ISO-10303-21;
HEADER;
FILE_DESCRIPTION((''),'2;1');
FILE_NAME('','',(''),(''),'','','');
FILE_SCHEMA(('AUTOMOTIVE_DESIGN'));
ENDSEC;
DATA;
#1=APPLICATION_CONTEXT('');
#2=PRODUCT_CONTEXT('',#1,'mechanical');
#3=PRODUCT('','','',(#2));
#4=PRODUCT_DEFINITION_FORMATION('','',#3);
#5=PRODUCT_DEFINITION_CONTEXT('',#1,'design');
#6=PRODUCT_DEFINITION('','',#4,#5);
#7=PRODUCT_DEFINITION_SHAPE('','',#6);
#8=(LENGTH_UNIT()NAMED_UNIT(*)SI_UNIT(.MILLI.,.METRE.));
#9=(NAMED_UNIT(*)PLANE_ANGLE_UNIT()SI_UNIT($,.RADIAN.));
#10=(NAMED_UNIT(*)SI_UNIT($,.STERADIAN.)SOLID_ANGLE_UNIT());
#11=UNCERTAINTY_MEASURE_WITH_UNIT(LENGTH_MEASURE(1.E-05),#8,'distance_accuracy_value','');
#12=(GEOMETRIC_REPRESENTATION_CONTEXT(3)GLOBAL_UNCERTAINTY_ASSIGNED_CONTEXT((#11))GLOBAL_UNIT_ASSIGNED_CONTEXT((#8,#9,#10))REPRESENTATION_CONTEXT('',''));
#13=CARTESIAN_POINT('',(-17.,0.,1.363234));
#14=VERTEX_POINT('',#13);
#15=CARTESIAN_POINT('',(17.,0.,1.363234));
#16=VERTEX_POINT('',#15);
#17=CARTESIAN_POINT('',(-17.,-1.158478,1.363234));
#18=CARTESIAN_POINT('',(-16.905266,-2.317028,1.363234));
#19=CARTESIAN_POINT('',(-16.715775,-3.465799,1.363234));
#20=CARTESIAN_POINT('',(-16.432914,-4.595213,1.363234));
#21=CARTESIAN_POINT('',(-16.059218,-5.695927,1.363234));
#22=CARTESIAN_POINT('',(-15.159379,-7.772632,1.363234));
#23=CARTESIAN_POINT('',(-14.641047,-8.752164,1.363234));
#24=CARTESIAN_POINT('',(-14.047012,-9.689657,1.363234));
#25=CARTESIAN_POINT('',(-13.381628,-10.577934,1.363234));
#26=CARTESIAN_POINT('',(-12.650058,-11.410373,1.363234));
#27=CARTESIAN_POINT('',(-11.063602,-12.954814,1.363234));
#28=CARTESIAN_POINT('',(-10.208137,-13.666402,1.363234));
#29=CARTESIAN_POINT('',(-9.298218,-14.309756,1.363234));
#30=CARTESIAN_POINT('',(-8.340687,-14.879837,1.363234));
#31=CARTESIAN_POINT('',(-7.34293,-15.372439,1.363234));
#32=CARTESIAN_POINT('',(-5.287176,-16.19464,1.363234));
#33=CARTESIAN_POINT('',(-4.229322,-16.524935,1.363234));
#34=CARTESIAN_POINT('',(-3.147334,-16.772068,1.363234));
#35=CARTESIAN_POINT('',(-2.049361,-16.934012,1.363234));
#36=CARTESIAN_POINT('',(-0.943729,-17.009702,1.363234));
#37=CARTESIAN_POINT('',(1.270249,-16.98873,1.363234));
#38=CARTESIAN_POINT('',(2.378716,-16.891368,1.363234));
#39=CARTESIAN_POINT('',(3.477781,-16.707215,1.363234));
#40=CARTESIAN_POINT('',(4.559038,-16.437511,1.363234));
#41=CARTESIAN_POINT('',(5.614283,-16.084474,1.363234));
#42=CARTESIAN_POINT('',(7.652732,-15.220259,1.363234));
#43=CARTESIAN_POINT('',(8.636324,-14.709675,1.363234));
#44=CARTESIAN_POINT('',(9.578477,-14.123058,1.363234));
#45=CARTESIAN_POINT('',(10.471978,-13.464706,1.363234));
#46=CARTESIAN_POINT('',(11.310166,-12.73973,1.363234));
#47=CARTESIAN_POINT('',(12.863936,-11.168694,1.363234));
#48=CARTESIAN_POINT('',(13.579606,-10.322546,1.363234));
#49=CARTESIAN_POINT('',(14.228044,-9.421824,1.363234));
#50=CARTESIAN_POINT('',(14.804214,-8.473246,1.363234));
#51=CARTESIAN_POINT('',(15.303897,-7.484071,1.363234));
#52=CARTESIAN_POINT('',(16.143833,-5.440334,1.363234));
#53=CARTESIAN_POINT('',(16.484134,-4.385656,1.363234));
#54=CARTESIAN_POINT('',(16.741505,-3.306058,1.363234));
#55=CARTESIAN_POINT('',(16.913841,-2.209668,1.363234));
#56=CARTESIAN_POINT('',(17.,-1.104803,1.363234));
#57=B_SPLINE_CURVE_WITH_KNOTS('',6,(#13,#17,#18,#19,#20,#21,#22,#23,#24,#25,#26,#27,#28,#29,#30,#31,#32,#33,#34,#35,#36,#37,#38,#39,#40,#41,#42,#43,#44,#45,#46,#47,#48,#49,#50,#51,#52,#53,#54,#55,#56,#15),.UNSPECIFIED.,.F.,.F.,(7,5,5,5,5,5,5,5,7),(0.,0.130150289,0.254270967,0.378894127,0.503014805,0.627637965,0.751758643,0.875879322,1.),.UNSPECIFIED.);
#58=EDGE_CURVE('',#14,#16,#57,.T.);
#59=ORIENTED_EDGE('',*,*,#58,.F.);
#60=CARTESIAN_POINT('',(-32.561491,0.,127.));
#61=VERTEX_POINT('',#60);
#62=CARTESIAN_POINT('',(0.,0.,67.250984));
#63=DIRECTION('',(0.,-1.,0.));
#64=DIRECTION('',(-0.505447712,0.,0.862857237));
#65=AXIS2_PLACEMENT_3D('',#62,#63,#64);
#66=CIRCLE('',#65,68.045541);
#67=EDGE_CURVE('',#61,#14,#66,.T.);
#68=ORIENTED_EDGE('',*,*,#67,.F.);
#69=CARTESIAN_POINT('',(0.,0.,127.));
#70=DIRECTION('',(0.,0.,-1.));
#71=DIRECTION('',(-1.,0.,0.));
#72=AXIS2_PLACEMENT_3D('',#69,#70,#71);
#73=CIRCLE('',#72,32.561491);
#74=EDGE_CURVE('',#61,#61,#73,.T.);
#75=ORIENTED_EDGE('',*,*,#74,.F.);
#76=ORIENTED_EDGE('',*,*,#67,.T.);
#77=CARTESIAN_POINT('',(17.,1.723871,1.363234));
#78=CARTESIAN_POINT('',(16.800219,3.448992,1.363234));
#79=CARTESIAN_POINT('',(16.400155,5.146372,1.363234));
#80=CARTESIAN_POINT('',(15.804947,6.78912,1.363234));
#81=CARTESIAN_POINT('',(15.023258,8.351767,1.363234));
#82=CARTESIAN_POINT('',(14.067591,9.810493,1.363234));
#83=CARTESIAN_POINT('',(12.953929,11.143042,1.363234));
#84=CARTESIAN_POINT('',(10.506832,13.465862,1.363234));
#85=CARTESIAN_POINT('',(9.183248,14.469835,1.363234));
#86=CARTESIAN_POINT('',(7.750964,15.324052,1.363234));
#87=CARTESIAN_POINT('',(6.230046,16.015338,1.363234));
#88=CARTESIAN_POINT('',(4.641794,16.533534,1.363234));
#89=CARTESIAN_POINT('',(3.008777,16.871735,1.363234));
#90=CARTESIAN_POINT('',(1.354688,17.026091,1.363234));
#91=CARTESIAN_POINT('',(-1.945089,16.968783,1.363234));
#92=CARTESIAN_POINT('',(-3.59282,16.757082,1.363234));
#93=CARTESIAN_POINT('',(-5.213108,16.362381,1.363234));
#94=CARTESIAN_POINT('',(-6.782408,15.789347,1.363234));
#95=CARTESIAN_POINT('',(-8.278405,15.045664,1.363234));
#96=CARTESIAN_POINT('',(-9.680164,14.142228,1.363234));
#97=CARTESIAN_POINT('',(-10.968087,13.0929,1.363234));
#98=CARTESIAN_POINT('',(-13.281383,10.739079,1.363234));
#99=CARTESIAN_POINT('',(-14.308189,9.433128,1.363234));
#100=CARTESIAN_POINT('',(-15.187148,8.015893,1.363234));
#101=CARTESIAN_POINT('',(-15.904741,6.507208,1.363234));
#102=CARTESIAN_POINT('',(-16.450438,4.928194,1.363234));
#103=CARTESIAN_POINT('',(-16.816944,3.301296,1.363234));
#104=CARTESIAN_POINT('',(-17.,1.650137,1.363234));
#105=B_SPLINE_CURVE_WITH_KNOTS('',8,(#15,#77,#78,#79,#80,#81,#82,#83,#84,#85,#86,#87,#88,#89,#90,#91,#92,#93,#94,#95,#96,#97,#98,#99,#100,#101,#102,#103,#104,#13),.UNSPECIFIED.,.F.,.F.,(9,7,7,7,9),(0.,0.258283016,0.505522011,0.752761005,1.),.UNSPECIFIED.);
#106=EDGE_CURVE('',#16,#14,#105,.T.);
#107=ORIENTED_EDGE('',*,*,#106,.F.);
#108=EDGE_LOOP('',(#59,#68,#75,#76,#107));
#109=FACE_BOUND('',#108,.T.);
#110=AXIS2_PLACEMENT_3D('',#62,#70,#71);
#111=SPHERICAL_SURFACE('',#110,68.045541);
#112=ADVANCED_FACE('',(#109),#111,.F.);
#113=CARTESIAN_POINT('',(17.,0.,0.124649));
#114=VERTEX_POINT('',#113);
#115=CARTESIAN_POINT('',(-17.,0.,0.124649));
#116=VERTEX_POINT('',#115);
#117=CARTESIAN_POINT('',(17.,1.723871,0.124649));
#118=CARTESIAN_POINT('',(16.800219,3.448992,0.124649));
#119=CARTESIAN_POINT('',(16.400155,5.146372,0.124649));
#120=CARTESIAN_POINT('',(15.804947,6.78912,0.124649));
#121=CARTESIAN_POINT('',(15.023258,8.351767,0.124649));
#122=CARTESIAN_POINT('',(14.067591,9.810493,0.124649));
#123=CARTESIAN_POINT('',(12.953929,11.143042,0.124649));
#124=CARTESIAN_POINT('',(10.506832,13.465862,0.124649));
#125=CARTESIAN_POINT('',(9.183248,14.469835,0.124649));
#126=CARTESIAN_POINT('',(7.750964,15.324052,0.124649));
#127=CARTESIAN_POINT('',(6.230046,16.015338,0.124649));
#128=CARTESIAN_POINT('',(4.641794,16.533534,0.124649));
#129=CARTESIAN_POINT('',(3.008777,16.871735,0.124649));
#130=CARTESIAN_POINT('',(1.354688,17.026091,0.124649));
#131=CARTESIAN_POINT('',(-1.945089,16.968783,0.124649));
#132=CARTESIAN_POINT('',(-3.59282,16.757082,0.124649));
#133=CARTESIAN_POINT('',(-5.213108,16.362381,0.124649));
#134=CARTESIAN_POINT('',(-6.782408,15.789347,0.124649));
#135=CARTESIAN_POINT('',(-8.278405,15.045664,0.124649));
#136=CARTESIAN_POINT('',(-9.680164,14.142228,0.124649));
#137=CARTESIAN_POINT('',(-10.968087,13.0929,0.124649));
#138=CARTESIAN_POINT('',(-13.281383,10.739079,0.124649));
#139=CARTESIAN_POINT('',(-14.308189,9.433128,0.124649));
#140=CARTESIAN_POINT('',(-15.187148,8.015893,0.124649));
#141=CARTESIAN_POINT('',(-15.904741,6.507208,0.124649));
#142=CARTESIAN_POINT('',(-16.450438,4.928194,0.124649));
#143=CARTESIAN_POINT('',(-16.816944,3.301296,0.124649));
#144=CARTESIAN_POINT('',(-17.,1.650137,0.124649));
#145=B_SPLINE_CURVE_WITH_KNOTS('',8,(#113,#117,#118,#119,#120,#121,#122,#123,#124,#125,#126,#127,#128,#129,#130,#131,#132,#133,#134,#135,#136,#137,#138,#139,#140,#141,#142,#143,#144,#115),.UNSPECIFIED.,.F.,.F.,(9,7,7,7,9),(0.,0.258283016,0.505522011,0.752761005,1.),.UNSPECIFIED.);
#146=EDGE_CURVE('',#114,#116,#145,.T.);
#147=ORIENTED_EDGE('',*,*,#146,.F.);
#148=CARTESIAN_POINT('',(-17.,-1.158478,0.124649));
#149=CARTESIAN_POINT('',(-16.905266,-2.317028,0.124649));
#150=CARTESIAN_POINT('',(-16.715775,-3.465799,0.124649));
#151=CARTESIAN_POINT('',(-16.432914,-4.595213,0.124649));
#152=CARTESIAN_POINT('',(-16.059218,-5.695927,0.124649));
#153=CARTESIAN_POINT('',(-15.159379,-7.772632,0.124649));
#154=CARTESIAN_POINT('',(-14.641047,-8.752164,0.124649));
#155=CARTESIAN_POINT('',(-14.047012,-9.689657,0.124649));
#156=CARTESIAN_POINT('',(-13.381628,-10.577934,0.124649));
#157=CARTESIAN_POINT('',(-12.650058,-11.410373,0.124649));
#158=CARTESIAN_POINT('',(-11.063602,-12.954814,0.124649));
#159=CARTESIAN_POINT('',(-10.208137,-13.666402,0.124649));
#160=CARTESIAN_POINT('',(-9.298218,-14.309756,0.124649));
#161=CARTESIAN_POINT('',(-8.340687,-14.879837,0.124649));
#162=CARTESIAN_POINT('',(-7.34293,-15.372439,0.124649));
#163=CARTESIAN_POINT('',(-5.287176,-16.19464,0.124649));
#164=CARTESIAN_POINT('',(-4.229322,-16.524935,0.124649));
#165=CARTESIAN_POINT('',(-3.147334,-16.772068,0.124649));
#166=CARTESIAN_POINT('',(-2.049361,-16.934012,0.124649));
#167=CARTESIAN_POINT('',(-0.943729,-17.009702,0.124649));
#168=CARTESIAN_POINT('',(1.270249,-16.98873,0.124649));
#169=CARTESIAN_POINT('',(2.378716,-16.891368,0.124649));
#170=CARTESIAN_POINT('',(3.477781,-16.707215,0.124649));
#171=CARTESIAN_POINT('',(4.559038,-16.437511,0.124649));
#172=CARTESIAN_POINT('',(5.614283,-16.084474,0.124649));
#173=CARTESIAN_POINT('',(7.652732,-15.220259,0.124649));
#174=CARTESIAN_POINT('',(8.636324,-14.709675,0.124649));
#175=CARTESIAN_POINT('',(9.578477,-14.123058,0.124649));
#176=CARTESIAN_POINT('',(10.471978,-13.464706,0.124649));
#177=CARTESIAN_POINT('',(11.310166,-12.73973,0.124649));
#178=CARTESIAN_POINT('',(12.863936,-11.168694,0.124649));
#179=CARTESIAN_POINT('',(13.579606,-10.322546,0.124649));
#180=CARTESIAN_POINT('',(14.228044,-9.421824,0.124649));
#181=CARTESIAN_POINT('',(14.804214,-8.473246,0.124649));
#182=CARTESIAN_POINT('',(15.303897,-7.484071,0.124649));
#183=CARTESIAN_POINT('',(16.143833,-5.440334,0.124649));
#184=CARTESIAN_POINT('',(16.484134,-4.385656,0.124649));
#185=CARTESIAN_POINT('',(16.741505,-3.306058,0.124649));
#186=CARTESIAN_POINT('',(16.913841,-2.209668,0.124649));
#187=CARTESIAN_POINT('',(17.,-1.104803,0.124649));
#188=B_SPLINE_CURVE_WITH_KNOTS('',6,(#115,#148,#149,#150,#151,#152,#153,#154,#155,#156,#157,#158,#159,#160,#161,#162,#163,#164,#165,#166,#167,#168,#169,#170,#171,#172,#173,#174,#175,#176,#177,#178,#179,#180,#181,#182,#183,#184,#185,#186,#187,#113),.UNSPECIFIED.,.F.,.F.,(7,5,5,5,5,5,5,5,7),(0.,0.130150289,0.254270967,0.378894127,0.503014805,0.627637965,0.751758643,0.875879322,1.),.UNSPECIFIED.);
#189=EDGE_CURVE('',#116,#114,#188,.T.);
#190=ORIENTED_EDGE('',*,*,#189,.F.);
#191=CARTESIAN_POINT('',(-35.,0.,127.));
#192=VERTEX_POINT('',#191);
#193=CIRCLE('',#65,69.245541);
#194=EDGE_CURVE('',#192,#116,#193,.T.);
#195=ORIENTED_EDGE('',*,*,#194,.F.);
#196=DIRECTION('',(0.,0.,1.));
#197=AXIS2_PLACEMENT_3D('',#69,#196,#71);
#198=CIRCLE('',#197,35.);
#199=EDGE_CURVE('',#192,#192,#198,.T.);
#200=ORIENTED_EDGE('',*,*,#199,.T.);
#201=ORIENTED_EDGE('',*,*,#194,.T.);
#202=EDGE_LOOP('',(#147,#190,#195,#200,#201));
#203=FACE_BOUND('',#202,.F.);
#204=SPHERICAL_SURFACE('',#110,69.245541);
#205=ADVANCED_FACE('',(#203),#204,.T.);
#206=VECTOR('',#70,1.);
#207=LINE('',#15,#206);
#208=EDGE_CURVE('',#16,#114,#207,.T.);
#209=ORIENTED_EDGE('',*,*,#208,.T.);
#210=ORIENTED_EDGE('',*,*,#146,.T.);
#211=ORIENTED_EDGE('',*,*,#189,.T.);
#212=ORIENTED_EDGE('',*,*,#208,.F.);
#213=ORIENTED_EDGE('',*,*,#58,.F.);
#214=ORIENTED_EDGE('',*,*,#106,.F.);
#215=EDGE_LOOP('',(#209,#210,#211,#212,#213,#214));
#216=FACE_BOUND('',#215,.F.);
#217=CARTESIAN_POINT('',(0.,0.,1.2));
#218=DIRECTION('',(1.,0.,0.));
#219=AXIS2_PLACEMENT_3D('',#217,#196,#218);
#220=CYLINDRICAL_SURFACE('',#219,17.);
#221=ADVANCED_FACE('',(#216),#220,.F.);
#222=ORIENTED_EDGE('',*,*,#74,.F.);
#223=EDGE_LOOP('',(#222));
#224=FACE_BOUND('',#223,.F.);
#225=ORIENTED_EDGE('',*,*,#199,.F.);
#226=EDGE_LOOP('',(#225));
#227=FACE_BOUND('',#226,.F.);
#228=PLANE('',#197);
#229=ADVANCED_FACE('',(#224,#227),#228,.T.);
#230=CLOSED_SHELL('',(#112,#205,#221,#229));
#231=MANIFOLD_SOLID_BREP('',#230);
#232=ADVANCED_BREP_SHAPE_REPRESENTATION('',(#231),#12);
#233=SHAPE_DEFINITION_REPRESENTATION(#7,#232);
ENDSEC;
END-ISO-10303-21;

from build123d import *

# Parameters (mm, degrees)
F2_T          = -1.2
F3_R          = 17
F4_DEPTH      = 25
F4_DEPTH_BACK = 25


with BuildPart() as f1:
    # F0 (on Front) → F1 (revolve)
    with BuildSketch(Plane.XZ):
        with BuildLine():
            Line((-16.5, 0), (0, 0))
            Line((0, 0), (0, 127))
            Line((0, 127), (-35, 127))
            ThreePointArc((-35, 127), (-68.5223503683, 57.269382033), (-16.5, 0))
        make_face()
    revolve(axis=Axis((0, 0, 63.5), (0, 0, 1)))

    # F2
    f2_openings = [f1.faces().sort_by_distance(p)[0] for p in [
        (0, 0, 127),
    ]]
    offset(amount=F2_T, openings=f2_openings)

    # F3 (on face) → F4 (cut, two sides)
    with BuildSketch(Plane.XY.offset(1.2)) as f4_sk:
        Circle(F3_R)
    extrude(amount=-F4_DEPTH, mode=Mode.SUBTRACT)
    extrude(f4_sk.sketch, amount=F4_DEPTH_BACK, mode=Mode.SUBTRACT)


solid = f1.part
